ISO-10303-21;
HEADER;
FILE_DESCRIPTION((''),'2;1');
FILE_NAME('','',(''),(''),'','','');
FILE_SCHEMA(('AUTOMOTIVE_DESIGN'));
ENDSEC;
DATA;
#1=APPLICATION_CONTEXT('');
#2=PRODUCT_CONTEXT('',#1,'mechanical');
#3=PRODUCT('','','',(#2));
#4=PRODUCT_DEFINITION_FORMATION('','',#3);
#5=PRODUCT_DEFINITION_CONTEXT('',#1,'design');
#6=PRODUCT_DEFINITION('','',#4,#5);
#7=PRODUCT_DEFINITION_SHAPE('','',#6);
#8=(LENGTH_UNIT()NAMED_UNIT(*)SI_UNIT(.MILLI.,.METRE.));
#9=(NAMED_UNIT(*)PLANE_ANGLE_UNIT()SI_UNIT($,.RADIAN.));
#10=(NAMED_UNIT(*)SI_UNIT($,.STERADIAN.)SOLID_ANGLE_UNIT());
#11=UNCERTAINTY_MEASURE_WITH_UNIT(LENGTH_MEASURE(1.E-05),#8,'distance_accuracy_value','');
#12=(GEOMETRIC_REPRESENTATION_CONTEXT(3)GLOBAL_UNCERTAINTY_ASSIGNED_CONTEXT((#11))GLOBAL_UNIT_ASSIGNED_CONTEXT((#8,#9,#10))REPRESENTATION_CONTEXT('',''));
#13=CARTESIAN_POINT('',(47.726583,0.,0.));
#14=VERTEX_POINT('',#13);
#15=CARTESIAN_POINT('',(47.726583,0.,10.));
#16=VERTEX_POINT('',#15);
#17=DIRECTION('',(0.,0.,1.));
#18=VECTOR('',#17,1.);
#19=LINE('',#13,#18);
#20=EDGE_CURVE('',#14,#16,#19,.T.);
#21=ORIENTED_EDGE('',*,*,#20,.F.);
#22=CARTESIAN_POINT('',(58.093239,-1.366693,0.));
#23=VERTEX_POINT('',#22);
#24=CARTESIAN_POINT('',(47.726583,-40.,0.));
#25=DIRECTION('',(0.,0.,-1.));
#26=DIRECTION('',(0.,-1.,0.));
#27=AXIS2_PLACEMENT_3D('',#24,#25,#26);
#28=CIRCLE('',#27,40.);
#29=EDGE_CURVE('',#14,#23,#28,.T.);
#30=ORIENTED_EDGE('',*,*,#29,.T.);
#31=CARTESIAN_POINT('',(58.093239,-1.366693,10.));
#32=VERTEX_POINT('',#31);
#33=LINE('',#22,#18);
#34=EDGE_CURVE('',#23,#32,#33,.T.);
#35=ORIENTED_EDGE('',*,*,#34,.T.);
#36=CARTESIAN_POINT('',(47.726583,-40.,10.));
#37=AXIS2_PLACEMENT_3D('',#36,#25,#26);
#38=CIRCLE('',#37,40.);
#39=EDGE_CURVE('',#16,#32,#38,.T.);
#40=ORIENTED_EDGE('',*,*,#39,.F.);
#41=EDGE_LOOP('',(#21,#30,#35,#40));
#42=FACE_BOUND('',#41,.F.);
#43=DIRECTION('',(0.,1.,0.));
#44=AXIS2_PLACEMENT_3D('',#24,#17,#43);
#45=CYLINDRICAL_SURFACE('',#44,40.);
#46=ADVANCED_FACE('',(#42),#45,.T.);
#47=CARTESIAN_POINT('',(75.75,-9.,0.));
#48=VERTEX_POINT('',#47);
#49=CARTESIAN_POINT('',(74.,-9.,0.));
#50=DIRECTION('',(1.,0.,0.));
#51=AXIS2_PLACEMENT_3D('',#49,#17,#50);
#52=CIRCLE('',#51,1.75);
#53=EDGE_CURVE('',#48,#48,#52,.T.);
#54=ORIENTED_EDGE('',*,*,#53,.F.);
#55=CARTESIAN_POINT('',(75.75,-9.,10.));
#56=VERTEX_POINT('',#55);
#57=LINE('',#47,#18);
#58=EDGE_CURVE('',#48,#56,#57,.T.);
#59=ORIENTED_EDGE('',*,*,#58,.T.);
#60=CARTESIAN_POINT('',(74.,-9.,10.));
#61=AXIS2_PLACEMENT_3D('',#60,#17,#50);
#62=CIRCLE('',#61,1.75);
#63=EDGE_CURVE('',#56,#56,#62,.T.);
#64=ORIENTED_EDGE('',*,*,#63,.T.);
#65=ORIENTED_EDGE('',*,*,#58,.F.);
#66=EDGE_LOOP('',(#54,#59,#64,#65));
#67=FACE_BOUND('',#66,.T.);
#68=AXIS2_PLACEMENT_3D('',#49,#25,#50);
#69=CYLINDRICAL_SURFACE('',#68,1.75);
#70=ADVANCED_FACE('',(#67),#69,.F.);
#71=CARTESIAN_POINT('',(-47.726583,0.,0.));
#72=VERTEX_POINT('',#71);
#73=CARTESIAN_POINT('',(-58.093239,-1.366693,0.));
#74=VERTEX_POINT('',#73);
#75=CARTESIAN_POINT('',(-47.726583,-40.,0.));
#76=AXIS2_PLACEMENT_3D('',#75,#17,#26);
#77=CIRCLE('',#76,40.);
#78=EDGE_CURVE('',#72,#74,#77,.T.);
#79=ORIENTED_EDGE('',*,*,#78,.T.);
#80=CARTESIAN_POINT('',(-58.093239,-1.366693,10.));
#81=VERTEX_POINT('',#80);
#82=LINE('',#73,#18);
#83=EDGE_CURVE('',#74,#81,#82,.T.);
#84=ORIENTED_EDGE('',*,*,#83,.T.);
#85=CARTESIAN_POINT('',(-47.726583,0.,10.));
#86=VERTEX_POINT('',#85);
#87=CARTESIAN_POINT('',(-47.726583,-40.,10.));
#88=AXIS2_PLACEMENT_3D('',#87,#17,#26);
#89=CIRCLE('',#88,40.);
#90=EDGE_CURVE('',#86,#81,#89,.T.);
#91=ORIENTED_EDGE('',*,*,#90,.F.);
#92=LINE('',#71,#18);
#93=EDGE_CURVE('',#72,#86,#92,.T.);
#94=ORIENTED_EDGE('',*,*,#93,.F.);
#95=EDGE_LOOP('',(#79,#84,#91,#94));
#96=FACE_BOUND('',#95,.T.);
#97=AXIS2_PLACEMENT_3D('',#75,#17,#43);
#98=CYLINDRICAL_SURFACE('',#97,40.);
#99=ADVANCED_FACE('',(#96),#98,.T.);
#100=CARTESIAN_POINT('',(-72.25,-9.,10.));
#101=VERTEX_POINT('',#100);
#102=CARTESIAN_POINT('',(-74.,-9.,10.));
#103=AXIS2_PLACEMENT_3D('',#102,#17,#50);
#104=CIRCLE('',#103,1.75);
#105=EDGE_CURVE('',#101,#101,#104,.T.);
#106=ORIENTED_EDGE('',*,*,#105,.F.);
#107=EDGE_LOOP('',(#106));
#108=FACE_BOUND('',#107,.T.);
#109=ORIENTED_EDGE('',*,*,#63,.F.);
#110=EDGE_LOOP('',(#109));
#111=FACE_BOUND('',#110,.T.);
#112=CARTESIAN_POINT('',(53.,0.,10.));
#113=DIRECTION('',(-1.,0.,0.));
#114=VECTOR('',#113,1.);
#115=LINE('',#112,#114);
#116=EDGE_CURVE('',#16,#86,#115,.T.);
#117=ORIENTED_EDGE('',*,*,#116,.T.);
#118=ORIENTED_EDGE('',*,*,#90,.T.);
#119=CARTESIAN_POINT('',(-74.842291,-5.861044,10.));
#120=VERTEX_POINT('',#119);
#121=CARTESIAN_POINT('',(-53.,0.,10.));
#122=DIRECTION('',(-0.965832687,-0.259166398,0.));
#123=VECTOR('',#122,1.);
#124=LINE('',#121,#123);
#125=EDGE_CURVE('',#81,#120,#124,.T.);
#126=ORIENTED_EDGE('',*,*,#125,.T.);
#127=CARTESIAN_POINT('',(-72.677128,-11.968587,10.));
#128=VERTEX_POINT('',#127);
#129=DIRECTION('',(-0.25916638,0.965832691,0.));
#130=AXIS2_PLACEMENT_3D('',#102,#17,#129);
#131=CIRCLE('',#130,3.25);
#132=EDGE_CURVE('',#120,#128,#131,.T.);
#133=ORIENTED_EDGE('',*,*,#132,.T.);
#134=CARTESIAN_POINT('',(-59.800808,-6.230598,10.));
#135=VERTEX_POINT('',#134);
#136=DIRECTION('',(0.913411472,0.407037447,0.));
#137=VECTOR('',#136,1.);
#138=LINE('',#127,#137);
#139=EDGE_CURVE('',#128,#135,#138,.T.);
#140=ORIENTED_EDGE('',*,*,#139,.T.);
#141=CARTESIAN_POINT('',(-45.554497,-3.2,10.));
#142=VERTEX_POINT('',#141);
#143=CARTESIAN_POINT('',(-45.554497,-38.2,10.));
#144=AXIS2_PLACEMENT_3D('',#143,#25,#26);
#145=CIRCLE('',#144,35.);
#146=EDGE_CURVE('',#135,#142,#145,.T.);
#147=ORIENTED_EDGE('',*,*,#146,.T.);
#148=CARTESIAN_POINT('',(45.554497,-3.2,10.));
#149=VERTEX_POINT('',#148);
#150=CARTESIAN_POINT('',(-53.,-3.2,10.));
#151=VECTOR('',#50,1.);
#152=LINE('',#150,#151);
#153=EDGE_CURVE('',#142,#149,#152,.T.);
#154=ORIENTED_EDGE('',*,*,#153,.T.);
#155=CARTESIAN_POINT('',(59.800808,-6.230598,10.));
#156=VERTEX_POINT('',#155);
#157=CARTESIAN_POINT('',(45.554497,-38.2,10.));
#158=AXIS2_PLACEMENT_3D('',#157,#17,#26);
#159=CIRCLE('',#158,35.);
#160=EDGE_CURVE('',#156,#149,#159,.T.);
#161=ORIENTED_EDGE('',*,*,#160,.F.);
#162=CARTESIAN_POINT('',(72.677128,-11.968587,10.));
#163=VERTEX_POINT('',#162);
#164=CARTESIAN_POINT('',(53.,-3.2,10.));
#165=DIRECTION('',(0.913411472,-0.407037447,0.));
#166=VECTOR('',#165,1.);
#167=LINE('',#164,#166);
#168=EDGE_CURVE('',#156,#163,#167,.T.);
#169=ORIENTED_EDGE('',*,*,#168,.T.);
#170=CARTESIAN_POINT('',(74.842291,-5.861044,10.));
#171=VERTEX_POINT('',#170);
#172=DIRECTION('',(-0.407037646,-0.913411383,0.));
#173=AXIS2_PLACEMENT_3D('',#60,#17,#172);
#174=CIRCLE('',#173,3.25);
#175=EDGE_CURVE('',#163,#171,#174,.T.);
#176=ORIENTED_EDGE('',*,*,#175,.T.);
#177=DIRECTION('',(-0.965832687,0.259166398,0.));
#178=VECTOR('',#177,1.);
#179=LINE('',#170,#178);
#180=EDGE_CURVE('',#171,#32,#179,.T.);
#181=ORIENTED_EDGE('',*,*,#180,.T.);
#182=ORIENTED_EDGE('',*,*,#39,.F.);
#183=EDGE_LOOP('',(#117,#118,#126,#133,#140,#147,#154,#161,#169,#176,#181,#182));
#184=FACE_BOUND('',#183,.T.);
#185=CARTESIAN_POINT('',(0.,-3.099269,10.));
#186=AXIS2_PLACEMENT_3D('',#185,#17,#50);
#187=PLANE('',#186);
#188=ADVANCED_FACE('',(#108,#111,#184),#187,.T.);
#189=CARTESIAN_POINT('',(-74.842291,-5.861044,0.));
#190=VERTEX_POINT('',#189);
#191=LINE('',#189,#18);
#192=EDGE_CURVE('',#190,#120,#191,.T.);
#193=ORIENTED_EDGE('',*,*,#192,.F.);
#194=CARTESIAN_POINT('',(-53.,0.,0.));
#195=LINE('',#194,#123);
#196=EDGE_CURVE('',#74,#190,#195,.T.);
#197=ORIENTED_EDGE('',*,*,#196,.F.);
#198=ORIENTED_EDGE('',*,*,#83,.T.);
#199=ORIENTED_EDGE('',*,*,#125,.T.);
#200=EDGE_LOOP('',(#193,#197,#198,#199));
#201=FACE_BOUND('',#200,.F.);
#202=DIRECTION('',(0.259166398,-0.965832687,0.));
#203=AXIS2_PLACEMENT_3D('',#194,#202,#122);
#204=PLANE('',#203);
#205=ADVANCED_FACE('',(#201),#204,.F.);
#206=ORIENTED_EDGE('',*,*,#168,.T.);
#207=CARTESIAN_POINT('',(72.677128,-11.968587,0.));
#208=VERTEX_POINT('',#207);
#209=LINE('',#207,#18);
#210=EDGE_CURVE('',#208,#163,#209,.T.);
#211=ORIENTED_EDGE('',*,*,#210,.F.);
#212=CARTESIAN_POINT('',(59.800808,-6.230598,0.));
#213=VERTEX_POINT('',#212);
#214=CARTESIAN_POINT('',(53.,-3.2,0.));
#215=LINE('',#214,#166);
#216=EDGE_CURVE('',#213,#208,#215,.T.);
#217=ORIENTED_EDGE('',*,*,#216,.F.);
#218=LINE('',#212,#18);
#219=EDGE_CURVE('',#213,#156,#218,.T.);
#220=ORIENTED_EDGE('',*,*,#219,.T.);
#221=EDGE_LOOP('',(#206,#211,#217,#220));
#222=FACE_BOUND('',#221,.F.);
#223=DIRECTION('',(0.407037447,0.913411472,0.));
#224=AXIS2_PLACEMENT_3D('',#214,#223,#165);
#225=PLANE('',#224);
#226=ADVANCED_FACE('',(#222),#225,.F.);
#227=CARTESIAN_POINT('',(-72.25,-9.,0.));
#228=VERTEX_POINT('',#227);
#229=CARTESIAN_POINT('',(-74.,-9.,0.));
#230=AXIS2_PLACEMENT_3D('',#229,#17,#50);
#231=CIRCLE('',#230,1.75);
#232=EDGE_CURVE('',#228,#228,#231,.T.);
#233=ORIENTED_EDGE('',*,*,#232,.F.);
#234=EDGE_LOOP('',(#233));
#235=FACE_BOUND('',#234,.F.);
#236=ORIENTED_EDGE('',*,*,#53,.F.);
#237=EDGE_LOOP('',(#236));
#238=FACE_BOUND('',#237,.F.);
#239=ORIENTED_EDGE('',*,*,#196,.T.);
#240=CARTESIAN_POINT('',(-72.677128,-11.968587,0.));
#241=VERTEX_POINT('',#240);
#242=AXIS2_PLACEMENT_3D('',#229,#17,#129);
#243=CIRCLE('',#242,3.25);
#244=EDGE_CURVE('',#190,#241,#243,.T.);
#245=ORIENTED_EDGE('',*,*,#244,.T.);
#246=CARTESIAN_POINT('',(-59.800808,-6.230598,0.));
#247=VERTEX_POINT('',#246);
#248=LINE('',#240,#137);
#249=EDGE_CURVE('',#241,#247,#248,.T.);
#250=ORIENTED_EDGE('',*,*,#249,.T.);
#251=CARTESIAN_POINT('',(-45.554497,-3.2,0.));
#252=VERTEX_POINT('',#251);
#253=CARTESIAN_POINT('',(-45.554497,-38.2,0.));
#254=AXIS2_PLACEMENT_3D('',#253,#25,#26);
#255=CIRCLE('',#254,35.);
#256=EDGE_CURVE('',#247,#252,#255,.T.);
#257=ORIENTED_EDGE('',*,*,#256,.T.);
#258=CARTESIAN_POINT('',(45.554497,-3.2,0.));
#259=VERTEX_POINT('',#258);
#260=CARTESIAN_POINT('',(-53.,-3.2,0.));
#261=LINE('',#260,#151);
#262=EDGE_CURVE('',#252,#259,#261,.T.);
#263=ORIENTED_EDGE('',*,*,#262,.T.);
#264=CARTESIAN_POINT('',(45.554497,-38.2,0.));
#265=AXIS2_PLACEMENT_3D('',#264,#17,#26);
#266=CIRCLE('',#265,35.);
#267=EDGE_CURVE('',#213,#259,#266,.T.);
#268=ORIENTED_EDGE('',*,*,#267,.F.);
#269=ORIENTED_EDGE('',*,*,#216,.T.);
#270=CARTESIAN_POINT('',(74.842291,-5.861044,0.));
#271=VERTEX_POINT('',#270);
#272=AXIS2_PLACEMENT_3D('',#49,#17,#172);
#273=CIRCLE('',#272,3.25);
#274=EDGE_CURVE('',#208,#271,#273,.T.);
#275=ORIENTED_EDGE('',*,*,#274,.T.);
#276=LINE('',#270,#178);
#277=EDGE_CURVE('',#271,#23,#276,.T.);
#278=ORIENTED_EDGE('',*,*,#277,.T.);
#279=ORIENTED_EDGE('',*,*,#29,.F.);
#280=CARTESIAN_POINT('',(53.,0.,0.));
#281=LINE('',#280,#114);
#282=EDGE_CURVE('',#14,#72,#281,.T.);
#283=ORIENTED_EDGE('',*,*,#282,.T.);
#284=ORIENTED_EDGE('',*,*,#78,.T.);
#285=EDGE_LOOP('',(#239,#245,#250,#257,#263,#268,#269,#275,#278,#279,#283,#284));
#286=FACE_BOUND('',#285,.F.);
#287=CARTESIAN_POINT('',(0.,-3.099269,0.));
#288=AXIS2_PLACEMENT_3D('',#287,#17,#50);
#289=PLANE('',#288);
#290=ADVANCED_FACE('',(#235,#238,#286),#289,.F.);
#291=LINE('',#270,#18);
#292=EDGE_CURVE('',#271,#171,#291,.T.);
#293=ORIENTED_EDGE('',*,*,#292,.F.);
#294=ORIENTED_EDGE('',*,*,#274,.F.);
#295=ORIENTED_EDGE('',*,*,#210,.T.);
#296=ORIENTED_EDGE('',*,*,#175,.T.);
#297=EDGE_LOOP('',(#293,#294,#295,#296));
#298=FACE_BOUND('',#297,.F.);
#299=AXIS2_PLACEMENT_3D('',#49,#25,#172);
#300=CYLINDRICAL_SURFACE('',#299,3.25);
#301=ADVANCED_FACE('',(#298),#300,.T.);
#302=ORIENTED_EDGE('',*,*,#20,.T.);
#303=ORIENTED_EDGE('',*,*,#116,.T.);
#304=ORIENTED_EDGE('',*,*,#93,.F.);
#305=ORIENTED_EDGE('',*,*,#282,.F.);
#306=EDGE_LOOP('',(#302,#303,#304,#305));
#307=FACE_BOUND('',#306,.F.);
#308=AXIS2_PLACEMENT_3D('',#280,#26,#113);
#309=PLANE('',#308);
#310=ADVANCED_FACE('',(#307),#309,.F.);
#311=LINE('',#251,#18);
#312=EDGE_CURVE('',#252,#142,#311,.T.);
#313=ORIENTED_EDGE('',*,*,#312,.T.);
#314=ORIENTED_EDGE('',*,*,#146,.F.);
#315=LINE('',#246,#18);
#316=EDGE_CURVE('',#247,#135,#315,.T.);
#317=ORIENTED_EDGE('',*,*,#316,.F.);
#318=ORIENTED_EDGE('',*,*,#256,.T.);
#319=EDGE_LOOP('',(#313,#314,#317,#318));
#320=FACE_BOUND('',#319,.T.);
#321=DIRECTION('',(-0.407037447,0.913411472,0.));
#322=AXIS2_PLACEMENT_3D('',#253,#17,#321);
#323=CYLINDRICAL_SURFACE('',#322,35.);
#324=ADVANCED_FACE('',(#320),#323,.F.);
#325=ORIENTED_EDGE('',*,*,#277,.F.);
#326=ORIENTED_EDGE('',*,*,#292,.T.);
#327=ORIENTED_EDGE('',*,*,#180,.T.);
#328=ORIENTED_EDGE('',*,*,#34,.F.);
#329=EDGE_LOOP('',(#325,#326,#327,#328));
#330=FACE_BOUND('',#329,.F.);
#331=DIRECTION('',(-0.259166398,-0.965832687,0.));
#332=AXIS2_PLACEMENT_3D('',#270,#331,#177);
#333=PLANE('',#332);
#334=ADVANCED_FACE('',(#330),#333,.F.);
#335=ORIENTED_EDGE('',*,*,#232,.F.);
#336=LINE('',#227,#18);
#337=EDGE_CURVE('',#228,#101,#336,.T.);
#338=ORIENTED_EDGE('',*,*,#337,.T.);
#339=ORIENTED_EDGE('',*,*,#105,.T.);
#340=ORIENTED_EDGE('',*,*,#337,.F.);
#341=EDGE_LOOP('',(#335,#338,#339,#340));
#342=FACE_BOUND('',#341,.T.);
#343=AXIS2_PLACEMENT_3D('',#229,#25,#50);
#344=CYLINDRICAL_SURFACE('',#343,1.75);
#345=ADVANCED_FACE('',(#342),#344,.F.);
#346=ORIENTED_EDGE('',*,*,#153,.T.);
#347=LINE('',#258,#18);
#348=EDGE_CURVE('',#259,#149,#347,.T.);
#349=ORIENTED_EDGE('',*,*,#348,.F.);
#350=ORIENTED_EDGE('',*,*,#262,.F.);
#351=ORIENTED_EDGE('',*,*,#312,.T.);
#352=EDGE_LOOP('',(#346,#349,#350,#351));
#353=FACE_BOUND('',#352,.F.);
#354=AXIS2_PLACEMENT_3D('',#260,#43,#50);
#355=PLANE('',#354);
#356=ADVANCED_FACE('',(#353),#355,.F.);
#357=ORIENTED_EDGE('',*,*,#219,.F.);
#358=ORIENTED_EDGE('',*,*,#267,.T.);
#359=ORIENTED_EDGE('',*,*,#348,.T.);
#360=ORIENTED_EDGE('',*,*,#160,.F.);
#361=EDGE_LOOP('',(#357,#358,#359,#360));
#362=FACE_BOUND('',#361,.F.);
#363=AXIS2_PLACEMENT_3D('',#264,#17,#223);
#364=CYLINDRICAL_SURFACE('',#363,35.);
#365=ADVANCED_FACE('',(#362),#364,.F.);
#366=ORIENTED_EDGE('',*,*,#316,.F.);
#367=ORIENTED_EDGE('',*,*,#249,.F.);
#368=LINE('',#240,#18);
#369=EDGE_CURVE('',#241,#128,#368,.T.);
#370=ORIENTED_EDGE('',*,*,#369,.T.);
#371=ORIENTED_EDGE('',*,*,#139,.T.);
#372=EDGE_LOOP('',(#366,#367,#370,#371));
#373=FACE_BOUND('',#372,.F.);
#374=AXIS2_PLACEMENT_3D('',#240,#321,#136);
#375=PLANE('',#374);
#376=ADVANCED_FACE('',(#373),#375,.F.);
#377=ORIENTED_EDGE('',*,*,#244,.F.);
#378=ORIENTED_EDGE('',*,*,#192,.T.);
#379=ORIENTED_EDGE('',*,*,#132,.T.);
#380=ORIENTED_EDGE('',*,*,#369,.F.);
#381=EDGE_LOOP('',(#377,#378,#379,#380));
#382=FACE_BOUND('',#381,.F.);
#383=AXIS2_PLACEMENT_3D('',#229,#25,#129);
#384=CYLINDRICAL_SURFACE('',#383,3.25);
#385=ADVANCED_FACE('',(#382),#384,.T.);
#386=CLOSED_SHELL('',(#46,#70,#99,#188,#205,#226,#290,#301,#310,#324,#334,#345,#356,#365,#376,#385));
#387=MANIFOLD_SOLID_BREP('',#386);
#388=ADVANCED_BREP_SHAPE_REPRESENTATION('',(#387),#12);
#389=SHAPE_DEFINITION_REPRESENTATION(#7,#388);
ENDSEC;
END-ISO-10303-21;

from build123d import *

# Parameters (mm, degrees)
F0_R     = 1.75
F1_DEPTH = 10
F2_R     = 40
F3_R     = 35


with BuildPart() as f1:
    # F0 (on Top) → F1 (new body)
    with BuildSketch(Plane.XY):
        with BuildLine():
            Line((53, 0), (0, 0))
            Line((0, 0), (-53, 0))
            Line((-53, 0), (-74.842291, -5.861044))
            ThreePointArc((-74.842291, -5.861044), (-77.063211, -10.085928), (-72.677128, -11.968587))
            Line((-72.677128, -11.968587), (-53, -3.2))
            Line((-53, -3.2), (0, -3.2))
            Line((0, -3.2), (53, -3.2))
            Line((53, -3.2), (72.677128, -11.968587))
            ThreePointArc((72.677128, -11.968587), (77.063211, -10.085928), (74.842291, -5.861044))
            Line((74.842291, -5.861044), (53, 0))
        make_face()
        with Locations((-74, -9)):
            Circle(F0_R, mode=Mode.SUBTRACT)
        with Locations((74, -9)):
            Circle(F0_R, mode=Mode.SUBTRACT)
    extrude(amount=F1_DEPTH)

    # F2
    f2_edges = [f1.edges().sort_by_distance(p)[0] for p in [
        (53, 0, 5),
        (-53, 0, 5),
    ]]
    fillet(f2_edges, radius=F2_R)

    # F3
    f3_edges = [f1.edges().sort_by_distance(p)[0] for p in [
        (-53, -3.2, 5),
        (53, -3.2, 5),
    ]]
    fillet(f3_edges, radius=F3_R)


solid = f1.part
